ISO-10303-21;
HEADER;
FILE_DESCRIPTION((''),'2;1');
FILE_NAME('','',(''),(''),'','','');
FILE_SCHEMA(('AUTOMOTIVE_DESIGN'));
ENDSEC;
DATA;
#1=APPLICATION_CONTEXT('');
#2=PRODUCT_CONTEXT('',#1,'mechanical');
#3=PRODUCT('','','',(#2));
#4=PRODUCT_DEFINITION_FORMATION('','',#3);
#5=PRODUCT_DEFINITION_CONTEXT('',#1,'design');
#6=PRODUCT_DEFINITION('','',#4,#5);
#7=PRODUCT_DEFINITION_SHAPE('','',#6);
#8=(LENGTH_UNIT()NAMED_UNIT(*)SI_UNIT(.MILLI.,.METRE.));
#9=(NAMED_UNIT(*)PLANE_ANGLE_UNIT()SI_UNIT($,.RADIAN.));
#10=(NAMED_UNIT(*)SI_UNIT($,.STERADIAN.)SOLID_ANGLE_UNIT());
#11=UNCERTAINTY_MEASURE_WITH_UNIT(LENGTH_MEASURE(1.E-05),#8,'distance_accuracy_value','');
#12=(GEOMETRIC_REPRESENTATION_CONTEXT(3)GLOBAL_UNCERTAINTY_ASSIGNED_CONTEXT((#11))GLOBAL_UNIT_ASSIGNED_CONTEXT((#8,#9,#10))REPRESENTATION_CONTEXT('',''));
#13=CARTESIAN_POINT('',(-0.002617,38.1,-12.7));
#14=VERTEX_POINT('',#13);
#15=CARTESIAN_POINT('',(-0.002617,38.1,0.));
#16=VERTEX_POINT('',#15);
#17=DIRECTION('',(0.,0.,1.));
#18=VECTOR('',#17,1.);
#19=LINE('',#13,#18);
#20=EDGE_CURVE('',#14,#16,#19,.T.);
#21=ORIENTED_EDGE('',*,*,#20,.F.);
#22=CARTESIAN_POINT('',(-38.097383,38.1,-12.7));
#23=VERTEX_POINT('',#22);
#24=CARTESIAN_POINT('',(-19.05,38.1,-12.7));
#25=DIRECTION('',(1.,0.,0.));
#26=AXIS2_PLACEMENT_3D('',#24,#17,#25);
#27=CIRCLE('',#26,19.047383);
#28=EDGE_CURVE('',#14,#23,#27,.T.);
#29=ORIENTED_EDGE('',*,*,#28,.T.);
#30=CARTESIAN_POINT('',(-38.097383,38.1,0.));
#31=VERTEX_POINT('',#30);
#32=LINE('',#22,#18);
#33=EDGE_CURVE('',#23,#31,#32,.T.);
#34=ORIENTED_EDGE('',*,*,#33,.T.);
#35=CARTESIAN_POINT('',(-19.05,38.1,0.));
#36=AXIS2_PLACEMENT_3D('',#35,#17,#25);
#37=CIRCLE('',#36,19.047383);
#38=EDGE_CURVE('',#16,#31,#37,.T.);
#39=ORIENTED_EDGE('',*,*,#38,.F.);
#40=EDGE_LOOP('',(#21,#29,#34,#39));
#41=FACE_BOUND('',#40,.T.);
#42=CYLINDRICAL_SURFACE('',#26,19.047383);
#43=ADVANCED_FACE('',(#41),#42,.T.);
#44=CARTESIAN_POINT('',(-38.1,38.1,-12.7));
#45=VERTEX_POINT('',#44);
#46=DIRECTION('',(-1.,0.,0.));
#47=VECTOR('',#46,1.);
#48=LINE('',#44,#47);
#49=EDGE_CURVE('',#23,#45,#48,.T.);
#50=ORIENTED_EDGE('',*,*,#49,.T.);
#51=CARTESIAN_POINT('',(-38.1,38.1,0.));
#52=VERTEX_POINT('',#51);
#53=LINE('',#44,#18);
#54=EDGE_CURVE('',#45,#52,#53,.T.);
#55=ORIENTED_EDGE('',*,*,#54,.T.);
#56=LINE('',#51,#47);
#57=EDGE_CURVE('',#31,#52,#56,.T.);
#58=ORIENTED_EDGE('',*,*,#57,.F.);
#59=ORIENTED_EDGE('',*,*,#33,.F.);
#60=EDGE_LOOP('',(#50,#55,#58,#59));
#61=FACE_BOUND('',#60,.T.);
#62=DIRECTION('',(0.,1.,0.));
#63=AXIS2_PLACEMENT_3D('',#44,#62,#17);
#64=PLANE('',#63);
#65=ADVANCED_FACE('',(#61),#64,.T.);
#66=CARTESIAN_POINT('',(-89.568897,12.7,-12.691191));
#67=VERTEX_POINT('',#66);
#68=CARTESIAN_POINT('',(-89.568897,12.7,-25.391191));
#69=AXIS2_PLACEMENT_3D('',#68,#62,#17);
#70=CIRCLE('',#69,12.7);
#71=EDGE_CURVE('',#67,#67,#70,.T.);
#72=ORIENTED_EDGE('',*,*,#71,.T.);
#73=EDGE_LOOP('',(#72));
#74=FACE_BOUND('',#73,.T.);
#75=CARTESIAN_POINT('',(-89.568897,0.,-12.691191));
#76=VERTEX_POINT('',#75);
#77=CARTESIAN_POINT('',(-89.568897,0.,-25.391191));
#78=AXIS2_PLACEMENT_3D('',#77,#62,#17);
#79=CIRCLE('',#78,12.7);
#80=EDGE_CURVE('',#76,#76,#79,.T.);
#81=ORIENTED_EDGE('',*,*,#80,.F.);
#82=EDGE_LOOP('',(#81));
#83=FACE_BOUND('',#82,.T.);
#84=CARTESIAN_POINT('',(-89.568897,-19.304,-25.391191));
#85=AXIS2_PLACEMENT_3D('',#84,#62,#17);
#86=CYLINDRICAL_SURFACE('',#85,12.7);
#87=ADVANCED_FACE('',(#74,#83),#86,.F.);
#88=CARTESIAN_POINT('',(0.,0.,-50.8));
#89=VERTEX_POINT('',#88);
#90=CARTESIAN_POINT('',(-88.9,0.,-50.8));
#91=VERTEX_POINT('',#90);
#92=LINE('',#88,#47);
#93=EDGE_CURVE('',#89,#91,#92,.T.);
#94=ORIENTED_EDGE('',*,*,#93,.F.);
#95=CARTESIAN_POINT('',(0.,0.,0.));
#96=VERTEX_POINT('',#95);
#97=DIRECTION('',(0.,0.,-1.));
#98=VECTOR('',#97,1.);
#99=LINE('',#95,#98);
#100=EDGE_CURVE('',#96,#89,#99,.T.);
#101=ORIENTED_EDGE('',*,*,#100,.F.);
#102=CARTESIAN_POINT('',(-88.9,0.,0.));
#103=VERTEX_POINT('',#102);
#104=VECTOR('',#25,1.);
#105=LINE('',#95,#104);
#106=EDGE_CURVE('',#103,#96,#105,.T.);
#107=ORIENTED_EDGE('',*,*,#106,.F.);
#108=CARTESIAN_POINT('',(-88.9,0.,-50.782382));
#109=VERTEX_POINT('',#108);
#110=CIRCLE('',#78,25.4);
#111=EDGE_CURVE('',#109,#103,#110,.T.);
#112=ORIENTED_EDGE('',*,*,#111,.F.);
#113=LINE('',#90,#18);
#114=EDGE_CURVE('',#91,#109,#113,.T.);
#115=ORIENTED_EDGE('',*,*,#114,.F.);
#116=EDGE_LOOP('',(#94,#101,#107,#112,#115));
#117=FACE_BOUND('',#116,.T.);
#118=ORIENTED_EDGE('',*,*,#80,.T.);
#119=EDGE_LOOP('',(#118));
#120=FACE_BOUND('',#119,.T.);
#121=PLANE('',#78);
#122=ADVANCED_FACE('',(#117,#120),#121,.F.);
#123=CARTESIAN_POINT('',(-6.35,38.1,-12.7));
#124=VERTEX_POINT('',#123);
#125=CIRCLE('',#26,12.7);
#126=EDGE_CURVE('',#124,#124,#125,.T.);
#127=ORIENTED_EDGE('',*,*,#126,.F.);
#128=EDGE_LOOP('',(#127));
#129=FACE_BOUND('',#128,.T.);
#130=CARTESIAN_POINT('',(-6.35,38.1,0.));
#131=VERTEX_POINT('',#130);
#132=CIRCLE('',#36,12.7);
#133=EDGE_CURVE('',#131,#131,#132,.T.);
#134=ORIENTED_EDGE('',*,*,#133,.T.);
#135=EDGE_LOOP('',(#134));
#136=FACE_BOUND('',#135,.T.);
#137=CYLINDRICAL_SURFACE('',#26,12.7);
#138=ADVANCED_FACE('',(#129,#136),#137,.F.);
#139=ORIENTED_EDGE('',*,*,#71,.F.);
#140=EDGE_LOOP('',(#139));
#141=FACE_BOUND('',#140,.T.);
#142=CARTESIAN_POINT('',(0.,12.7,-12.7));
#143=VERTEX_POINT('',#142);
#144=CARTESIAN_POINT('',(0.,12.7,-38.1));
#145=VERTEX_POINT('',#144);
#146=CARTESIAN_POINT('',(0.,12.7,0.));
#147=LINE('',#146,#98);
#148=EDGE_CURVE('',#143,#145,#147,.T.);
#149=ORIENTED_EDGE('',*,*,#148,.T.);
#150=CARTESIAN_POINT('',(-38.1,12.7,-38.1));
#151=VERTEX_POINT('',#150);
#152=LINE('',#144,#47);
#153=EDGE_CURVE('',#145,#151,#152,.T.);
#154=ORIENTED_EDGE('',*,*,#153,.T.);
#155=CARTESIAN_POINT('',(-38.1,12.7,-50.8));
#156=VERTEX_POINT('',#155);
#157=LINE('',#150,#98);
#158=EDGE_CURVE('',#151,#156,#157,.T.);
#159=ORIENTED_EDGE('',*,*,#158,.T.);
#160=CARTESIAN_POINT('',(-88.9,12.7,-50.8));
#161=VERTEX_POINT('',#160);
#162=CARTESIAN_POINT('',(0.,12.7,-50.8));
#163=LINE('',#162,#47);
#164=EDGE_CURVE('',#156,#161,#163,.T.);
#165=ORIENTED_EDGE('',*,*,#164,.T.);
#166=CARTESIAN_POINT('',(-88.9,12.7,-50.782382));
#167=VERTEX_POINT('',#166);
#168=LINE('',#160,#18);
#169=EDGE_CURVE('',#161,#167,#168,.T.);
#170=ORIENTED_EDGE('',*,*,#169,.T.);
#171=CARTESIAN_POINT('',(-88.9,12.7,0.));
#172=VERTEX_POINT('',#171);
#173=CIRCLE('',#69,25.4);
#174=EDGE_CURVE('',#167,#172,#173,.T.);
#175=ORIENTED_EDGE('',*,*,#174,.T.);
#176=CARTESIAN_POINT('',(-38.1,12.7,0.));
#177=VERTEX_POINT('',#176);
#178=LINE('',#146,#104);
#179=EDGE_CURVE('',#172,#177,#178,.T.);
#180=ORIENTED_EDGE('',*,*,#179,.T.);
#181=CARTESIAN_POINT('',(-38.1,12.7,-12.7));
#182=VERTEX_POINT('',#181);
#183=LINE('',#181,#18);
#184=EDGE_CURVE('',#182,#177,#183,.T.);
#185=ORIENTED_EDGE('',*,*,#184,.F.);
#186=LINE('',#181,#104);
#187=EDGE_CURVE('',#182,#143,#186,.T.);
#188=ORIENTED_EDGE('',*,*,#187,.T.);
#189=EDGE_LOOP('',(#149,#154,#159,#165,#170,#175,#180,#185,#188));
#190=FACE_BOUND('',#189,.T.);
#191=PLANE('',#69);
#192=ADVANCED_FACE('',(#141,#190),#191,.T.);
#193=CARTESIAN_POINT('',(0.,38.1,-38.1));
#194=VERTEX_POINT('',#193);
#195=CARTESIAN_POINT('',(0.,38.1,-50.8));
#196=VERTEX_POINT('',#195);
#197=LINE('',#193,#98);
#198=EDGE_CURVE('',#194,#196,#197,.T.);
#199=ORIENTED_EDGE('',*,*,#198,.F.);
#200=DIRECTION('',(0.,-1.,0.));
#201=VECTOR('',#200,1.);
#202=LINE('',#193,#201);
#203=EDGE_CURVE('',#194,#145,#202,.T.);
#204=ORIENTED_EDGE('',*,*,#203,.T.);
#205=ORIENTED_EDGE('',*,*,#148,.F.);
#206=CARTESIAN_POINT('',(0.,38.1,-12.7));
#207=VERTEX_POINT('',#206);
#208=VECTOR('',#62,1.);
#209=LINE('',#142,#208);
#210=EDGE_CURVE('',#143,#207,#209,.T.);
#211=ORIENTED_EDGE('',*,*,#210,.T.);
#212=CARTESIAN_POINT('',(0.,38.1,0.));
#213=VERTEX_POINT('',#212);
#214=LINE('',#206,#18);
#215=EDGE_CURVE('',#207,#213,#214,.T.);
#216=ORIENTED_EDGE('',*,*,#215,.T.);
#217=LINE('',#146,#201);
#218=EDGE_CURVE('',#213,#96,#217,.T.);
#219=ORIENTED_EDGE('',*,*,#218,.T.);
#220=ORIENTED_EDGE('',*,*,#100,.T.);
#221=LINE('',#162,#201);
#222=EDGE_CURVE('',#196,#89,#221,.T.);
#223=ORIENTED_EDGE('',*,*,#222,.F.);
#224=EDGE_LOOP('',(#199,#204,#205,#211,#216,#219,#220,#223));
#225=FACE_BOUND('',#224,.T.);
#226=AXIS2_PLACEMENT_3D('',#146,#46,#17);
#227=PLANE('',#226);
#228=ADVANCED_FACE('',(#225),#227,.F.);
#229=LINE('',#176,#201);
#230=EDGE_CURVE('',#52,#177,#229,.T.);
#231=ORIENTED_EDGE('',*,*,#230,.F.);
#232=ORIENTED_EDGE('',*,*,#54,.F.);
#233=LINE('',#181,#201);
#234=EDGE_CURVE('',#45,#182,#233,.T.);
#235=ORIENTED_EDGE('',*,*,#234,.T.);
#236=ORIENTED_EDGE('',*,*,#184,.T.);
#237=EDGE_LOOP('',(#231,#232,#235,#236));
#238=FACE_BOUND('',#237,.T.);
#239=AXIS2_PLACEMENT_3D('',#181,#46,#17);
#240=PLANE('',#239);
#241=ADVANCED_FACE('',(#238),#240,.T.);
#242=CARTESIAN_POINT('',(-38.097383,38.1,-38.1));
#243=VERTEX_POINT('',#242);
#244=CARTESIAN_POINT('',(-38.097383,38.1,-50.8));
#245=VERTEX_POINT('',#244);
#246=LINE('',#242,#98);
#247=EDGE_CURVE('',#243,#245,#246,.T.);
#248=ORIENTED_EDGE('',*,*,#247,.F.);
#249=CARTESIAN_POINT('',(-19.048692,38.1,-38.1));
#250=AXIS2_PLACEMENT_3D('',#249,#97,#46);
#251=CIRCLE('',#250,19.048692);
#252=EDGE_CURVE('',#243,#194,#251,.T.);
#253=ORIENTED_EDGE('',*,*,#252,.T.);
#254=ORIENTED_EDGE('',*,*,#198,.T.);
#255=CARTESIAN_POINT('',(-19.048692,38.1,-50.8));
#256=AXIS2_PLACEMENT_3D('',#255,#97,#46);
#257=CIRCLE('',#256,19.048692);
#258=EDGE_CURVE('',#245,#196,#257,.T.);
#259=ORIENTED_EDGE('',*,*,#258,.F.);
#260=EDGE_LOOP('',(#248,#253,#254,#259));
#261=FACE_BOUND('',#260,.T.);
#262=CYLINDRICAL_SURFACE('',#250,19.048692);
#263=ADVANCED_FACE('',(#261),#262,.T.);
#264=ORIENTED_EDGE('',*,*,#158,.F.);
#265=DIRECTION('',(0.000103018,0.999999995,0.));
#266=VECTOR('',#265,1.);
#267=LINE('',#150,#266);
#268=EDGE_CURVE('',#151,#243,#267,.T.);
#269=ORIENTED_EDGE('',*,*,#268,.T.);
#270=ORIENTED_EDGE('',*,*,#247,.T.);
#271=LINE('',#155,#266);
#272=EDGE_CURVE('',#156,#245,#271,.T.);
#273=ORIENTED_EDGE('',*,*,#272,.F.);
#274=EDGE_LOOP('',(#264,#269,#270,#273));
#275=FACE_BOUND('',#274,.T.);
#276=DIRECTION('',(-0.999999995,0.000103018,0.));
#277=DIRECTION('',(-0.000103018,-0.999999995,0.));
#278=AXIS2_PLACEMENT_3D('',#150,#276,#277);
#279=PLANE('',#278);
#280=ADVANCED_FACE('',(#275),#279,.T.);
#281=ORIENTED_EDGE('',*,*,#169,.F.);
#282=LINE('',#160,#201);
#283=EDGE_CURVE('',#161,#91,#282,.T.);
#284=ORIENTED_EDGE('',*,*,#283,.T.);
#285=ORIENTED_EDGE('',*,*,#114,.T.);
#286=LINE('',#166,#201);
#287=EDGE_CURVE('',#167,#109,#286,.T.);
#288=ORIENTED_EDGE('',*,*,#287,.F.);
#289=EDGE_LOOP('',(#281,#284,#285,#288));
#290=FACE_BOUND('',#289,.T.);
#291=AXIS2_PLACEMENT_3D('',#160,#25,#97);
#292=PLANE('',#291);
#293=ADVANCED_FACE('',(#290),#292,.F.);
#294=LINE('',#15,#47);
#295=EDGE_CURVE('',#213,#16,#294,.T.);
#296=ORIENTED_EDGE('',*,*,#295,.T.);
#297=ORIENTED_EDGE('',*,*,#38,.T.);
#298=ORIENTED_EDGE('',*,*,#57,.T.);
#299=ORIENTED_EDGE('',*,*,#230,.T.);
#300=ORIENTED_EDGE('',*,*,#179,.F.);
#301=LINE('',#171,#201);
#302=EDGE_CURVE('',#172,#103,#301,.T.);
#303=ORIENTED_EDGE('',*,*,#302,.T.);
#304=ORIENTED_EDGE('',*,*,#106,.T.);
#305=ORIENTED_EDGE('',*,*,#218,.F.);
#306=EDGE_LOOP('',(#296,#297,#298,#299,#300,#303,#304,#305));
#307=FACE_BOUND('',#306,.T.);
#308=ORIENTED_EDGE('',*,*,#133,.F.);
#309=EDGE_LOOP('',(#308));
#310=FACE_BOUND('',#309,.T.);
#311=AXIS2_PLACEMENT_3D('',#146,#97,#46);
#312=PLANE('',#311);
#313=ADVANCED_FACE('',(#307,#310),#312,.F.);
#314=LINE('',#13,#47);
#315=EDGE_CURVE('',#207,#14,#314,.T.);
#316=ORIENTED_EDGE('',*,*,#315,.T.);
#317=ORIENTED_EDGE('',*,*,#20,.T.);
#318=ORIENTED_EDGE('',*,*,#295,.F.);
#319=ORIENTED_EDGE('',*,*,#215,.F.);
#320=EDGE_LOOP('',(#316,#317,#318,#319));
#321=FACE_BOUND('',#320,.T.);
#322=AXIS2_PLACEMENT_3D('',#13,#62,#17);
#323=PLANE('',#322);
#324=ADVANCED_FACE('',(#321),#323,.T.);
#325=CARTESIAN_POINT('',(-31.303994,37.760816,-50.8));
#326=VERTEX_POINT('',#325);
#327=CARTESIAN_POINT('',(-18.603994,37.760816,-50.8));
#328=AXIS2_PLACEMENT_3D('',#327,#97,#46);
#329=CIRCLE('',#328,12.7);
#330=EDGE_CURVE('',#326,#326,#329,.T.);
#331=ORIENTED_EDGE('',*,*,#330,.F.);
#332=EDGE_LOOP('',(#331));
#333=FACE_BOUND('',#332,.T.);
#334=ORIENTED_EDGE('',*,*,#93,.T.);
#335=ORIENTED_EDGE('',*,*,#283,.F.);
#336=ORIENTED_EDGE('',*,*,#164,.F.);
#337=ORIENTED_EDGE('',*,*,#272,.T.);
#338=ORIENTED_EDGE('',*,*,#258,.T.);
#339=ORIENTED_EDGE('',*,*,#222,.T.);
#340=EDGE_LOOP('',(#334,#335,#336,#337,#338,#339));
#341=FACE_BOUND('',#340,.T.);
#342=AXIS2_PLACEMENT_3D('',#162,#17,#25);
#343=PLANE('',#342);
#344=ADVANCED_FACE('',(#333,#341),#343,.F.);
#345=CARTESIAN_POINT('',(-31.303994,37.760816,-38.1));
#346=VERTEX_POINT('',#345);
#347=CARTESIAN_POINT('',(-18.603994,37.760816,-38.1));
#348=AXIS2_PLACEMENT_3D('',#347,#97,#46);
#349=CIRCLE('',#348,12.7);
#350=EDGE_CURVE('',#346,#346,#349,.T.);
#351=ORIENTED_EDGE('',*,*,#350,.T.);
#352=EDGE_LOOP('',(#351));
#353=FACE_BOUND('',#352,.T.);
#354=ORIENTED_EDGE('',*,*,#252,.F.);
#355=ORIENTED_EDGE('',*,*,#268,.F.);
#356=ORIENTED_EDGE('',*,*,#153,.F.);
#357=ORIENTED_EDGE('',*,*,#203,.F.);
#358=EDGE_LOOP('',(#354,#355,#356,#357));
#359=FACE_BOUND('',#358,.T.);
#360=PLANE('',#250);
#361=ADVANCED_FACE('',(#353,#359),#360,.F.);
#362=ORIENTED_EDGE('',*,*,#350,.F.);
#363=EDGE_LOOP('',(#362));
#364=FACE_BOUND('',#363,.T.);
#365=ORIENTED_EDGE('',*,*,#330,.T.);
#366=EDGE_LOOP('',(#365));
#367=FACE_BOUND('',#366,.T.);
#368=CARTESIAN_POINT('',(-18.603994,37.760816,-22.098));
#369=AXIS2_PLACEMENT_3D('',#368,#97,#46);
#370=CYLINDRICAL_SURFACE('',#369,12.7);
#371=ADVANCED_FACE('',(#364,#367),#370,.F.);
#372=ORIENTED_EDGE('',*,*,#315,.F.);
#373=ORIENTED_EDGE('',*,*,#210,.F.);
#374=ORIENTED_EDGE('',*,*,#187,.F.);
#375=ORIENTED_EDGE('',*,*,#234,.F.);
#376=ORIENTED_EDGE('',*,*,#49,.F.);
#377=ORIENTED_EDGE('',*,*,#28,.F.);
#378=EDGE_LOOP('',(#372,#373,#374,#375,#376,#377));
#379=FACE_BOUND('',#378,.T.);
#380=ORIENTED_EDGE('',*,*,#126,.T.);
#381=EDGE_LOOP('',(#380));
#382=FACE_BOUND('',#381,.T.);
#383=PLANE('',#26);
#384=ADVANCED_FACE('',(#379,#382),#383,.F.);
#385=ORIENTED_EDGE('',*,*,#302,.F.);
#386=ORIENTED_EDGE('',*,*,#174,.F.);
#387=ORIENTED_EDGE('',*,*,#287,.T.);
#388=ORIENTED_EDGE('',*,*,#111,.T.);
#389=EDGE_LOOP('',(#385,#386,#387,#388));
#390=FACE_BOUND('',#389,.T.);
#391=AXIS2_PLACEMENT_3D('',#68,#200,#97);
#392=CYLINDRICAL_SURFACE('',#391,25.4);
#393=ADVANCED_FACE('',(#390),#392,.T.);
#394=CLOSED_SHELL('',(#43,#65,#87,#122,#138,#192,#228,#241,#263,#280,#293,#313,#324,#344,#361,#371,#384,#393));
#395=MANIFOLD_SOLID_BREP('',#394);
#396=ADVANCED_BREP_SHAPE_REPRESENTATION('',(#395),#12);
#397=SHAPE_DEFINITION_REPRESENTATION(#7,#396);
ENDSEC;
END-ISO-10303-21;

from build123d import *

# Parameters (mm, degrees)
SALIENTE_EXTRUIR2_DEPTH = 12.7
SALIENTE_EXTRUIR4_DEPTH = 12.7
CROQUIS7_R              = 12.7
CORTAR_EXTRUIR1_DEPTH   = 12.7
SALIENTE_EXTRUIR5_DEPTH = 12.7
CROQUIS9_R              = 12.7
CORTAR_EXTRUIR2_DEPTH   = 28.702
CROQUIS10_R             = 12.7
CORTAR_EXTRUIR3_DEPTH   = 32.004


with BuildPart() as part:
    # Croquis1 → Saliente-Extruir2 (new body)
    with BuildSketch(Plane(origin=(0, 0, 0), x_dir=(1, 0, 0), z_dir=(0, 1, 0))):
        with BuildLine():
            Line((0, 0), (0, 50.8))
            Line((0, 50.8), (-88.9, 50.8))
            Line((-88.9, 50.8), (-88.9, 50.782381867))
            ThreePointArc((-88.9, 50.782381867), (-114.968896843, 25.391190933), (-88.9, 0))
            Line((-88.9, 0), (0, 0))
        make_face()
    extrude(amount=SALIENTE_EXTRUIR2_DEPTH)

    # Croquis5 → Saliente-Extruir4 (add)
    with BuildSketch(Plane.XY):
        with BuildLine():
            Line((0, 12.7), (0, 38.1))
            Line((0, 38.1), (-0.002616662, 38.1))
            ThreePointArc((-0.002616662, 38.1), (-19.05, 57.147383338), (-38.097383338, 38.1))
            Line((-38.097383338, 38.1), (-38.1, 38.1))
            Line((-38.1, 38.1), (-38.1, 12.7))
            Line((-38.1, 12.7), (0, 12.7))
        make_face()
    extrude(amount=-SALIENTE_EXTRUIR4_DEPTH)

    # Croquis7 → Cortar-Extruir1 (cut)
    with BuildSketch(Plane.XY):
        with Locations((-19.05, 38.1)):
            Circle(CROQUIS7_R)
    extrude(amount=-CORTAR_EXTRUIR1_DEPTH, mode=Mode.SUBTRACT)

    # Croquis8 → Saliente-Extruir5 (add)
    with BuildSketch(Plane(origin=(0, 0, -50.8), x_dir=(-1, 0, 0), z_dir=(0, 0, -1))):
        with BuildLine():
            Line((38.1, 12.7), (38.097383338, 38.1))
            ThreePointArc((38.097383338, 38.1), (19.048691669, 57.148691669), (0, 38.1))
            Line((0, 38.1), (0, 12.7))
            Line((0, 12.7), (38.1, 12.7))
        make_face()
    extrude(amount=-SALIENTE_EXTRUIR5_DEPTH)

    # Croquis9 → Cortar-Extruir2 (cut)
    with BuildSketch(Plane(origin=(0, 0, -50.8), x_dir=(-1, 0, 0), z_dir=(0, 0, -1))):
        with Locations((18.60399445, 37.760816035)):
            Circle(CROQUIS9_R)
    extrude(amount=-CORTAR_EXTRUIR2_DEPTH, mode=Mode.SUBTRACT)

    # Croquis10 → Cortar-Extruir3 (cut)
    with BuildSketch(Plane(origin=(0, 12.7, 0), x_dir=(1, 0, 0), z_dir=(0, 1, 0))):
        with Locations(Location((-89.568896843, 25.391190933, 0), (0, 0, 270))):
            Circle(CROQUIS10_R)
    extrude(amount=-CORTAR_EXTRUIR3_DEPTH, mode=Mode.SUBTRACT)


solid = part.part
